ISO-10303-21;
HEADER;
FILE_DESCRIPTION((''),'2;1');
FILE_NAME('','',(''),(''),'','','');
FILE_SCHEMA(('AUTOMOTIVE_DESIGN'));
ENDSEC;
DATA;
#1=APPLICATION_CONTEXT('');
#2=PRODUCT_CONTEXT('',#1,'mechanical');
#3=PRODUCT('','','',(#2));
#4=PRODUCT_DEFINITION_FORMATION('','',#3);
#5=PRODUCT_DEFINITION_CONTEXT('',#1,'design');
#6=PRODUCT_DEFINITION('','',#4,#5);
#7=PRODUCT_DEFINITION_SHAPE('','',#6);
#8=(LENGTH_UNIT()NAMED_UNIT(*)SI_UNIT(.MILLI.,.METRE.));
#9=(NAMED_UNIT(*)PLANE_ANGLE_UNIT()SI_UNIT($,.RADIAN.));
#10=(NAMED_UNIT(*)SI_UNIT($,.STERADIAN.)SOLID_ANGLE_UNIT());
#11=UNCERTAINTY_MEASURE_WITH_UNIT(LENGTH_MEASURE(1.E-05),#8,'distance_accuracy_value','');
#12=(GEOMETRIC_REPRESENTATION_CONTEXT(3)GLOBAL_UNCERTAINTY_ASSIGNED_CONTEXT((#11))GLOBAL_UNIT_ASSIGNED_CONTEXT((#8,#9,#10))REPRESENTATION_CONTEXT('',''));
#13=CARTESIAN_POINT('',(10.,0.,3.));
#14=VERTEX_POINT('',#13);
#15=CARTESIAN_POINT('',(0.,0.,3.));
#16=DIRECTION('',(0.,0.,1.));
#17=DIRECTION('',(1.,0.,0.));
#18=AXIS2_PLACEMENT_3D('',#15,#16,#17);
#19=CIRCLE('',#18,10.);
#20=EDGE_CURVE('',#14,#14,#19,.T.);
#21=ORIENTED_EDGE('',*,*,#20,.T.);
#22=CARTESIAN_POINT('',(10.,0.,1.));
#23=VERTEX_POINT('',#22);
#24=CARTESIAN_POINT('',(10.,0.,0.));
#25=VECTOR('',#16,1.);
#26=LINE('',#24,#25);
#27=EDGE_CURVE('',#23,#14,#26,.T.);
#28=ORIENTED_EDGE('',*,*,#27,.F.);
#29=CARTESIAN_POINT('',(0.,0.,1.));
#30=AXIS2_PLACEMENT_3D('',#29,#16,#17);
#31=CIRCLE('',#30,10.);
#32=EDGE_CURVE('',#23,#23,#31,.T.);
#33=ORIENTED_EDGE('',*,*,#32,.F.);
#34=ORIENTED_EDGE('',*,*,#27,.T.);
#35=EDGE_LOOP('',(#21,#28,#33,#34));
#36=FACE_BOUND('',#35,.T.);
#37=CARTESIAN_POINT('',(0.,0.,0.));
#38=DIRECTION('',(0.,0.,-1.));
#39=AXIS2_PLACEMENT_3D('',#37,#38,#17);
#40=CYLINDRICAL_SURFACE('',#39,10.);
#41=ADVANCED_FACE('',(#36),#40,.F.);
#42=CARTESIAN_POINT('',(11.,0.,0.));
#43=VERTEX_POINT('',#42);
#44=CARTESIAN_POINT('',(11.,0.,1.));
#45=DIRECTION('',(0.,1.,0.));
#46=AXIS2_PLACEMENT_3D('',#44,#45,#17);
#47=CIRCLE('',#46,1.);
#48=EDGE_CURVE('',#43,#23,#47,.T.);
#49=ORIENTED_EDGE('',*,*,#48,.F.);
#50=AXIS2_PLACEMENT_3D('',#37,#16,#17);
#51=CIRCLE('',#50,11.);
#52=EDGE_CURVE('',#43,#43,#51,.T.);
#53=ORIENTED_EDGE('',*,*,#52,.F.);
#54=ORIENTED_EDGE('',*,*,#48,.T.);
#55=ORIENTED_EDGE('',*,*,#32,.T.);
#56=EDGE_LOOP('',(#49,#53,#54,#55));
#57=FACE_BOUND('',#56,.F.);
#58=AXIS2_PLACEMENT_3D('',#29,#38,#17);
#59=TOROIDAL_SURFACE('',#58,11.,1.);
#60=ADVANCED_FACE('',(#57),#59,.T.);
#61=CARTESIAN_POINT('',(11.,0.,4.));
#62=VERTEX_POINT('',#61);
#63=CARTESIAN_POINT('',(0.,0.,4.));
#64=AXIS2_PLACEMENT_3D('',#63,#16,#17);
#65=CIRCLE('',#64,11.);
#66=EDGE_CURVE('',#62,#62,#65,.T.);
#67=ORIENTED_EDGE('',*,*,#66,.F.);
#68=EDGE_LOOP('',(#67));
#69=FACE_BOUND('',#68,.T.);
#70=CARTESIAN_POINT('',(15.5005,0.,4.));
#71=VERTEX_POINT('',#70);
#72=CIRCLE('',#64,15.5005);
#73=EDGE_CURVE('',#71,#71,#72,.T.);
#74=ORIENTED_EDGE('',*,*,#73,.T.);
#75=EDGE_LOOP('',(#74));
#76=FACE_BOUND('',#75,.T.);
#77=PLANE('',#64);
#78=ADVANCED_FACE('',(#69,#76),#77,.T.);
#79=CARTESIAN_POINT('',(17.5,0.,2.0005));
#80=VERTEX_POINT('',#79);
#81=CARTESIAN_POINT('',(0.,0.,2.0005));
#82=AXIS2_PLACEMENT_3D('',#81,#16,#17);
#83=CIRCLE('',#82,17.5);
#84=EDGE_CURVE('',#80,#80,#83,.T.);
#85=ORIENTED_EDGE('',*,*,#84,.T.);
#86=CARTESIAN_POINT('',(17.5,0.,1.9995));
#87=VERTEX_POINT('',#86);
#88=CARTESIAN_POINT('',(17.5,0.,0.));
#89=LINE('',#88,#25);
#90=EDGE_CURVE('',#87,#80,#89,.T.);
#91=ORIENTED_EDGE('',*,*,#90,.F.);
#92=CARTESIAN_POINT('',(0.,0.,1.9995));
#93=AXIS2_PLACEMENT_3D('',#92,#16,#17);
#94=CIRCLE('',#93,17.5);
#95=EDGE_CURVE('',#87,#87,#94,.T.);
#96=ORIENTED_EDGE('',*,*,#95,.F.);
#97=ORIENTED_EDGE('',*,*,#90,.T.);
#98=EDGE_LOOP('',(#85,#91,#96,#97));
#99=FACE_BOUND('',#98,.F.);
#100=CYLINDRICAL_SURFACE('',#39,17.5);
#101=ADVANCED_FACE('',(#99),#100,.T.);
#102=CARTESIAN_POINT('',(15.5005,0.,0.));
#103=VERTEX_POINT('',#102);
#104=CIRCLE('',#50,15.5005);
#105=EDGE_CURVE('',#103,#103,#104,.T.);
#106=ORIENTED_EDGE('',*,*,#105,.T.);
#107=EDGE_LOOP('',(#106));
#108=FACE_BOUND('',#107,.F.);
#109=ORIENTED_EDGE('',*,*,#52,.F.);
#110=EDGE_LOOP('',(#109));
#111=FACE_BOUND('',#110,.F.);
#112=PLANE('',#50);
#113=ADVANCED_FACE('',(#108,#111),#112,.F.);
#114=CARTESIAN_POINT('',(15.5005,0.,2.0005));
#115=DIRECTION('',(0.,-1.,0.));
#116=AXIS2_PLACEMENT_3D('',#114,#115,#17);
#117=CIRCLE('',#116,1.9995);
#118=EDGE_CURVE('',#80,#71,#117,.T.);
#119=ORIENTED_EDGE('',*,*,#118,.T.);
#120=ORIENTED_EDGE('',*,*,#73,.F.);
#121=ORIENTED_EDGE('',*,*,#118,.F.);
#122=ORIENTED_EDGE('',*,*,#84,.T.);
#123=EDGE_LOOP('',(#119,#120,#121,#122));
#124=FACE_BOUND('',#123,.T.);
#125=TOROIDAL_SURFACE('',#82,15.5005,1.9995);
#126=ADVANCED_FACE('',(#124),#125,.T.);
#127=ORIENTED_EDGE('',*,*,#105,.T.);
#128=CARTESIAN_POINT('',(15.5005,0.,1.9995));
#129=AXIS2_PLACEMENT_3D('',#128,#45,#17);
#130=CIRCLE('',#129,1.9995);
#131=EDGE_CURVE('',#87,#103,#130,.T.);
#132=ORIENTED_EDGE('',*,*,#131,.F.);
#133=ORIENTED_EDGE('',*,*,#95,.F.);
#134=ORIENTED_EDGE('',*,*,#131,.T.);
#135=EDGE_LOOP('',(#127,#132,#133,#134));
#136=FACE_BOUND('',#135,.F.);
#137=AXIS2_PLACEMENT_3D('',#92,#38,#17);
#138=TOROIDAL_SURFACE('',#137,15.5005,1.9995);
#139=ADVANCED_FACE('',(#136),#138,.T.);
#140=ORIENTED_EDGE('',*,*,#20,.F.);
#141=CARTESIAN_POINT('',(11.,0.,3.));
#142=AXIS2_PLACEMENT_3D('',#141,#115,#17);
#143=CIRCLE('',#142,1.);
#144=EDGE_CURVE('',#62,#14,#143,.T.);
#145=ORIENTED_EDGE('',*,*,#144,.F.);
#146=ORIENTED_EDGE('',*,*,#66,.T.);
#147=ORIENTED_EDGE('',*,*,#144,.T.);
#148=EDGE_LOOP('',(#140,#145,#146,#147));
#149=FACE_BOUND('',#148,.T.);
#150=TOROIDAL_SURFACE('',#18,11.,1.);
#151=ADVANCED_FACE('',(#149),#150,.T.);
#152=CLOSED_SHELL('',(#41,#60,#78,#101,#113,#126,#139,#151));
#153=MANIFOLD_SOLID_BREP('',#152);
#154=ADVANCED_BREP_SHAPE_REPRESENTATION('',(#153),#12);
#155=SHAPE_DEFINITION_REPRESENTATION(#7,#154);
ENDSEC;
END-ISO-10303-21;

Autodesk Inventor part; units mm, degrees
ref_plane "YZ Plane" through (0, 0, 0) normal (1, 0, 0) x (0, 1, 0)
ref_plane "XZ Plane" through (0, 0, 0) normal (0, 1, 0) x (-1, 0, 0)
ref_plane "XY Plane" through (0, 0, 0) normal (0, 0, 1) x (1, 0, 0)
sketch "Sketch1" plane through (0, 0, 0) normal (0, 0, 1) x (1, 0, 0)
  circle A0 centre (0, 0) radius 17.5
  circle A1 centre (0, 0) radius 10
  dimension "d0" = 35
  dimension "d1" = 20
extrude "Extrusion1" add sketch "Sketch1" along normal blind 4
fillet "Fillet1" radius 2 2 edges at (-17.5, 0, 4) (-17.5, 0, 0)
fillet "Fillet2" radius 1 2 edges at (-10, 0, 0) (-10, 0, 4)
properties part number "Thrust Bearing" material "Stainless Steel"
